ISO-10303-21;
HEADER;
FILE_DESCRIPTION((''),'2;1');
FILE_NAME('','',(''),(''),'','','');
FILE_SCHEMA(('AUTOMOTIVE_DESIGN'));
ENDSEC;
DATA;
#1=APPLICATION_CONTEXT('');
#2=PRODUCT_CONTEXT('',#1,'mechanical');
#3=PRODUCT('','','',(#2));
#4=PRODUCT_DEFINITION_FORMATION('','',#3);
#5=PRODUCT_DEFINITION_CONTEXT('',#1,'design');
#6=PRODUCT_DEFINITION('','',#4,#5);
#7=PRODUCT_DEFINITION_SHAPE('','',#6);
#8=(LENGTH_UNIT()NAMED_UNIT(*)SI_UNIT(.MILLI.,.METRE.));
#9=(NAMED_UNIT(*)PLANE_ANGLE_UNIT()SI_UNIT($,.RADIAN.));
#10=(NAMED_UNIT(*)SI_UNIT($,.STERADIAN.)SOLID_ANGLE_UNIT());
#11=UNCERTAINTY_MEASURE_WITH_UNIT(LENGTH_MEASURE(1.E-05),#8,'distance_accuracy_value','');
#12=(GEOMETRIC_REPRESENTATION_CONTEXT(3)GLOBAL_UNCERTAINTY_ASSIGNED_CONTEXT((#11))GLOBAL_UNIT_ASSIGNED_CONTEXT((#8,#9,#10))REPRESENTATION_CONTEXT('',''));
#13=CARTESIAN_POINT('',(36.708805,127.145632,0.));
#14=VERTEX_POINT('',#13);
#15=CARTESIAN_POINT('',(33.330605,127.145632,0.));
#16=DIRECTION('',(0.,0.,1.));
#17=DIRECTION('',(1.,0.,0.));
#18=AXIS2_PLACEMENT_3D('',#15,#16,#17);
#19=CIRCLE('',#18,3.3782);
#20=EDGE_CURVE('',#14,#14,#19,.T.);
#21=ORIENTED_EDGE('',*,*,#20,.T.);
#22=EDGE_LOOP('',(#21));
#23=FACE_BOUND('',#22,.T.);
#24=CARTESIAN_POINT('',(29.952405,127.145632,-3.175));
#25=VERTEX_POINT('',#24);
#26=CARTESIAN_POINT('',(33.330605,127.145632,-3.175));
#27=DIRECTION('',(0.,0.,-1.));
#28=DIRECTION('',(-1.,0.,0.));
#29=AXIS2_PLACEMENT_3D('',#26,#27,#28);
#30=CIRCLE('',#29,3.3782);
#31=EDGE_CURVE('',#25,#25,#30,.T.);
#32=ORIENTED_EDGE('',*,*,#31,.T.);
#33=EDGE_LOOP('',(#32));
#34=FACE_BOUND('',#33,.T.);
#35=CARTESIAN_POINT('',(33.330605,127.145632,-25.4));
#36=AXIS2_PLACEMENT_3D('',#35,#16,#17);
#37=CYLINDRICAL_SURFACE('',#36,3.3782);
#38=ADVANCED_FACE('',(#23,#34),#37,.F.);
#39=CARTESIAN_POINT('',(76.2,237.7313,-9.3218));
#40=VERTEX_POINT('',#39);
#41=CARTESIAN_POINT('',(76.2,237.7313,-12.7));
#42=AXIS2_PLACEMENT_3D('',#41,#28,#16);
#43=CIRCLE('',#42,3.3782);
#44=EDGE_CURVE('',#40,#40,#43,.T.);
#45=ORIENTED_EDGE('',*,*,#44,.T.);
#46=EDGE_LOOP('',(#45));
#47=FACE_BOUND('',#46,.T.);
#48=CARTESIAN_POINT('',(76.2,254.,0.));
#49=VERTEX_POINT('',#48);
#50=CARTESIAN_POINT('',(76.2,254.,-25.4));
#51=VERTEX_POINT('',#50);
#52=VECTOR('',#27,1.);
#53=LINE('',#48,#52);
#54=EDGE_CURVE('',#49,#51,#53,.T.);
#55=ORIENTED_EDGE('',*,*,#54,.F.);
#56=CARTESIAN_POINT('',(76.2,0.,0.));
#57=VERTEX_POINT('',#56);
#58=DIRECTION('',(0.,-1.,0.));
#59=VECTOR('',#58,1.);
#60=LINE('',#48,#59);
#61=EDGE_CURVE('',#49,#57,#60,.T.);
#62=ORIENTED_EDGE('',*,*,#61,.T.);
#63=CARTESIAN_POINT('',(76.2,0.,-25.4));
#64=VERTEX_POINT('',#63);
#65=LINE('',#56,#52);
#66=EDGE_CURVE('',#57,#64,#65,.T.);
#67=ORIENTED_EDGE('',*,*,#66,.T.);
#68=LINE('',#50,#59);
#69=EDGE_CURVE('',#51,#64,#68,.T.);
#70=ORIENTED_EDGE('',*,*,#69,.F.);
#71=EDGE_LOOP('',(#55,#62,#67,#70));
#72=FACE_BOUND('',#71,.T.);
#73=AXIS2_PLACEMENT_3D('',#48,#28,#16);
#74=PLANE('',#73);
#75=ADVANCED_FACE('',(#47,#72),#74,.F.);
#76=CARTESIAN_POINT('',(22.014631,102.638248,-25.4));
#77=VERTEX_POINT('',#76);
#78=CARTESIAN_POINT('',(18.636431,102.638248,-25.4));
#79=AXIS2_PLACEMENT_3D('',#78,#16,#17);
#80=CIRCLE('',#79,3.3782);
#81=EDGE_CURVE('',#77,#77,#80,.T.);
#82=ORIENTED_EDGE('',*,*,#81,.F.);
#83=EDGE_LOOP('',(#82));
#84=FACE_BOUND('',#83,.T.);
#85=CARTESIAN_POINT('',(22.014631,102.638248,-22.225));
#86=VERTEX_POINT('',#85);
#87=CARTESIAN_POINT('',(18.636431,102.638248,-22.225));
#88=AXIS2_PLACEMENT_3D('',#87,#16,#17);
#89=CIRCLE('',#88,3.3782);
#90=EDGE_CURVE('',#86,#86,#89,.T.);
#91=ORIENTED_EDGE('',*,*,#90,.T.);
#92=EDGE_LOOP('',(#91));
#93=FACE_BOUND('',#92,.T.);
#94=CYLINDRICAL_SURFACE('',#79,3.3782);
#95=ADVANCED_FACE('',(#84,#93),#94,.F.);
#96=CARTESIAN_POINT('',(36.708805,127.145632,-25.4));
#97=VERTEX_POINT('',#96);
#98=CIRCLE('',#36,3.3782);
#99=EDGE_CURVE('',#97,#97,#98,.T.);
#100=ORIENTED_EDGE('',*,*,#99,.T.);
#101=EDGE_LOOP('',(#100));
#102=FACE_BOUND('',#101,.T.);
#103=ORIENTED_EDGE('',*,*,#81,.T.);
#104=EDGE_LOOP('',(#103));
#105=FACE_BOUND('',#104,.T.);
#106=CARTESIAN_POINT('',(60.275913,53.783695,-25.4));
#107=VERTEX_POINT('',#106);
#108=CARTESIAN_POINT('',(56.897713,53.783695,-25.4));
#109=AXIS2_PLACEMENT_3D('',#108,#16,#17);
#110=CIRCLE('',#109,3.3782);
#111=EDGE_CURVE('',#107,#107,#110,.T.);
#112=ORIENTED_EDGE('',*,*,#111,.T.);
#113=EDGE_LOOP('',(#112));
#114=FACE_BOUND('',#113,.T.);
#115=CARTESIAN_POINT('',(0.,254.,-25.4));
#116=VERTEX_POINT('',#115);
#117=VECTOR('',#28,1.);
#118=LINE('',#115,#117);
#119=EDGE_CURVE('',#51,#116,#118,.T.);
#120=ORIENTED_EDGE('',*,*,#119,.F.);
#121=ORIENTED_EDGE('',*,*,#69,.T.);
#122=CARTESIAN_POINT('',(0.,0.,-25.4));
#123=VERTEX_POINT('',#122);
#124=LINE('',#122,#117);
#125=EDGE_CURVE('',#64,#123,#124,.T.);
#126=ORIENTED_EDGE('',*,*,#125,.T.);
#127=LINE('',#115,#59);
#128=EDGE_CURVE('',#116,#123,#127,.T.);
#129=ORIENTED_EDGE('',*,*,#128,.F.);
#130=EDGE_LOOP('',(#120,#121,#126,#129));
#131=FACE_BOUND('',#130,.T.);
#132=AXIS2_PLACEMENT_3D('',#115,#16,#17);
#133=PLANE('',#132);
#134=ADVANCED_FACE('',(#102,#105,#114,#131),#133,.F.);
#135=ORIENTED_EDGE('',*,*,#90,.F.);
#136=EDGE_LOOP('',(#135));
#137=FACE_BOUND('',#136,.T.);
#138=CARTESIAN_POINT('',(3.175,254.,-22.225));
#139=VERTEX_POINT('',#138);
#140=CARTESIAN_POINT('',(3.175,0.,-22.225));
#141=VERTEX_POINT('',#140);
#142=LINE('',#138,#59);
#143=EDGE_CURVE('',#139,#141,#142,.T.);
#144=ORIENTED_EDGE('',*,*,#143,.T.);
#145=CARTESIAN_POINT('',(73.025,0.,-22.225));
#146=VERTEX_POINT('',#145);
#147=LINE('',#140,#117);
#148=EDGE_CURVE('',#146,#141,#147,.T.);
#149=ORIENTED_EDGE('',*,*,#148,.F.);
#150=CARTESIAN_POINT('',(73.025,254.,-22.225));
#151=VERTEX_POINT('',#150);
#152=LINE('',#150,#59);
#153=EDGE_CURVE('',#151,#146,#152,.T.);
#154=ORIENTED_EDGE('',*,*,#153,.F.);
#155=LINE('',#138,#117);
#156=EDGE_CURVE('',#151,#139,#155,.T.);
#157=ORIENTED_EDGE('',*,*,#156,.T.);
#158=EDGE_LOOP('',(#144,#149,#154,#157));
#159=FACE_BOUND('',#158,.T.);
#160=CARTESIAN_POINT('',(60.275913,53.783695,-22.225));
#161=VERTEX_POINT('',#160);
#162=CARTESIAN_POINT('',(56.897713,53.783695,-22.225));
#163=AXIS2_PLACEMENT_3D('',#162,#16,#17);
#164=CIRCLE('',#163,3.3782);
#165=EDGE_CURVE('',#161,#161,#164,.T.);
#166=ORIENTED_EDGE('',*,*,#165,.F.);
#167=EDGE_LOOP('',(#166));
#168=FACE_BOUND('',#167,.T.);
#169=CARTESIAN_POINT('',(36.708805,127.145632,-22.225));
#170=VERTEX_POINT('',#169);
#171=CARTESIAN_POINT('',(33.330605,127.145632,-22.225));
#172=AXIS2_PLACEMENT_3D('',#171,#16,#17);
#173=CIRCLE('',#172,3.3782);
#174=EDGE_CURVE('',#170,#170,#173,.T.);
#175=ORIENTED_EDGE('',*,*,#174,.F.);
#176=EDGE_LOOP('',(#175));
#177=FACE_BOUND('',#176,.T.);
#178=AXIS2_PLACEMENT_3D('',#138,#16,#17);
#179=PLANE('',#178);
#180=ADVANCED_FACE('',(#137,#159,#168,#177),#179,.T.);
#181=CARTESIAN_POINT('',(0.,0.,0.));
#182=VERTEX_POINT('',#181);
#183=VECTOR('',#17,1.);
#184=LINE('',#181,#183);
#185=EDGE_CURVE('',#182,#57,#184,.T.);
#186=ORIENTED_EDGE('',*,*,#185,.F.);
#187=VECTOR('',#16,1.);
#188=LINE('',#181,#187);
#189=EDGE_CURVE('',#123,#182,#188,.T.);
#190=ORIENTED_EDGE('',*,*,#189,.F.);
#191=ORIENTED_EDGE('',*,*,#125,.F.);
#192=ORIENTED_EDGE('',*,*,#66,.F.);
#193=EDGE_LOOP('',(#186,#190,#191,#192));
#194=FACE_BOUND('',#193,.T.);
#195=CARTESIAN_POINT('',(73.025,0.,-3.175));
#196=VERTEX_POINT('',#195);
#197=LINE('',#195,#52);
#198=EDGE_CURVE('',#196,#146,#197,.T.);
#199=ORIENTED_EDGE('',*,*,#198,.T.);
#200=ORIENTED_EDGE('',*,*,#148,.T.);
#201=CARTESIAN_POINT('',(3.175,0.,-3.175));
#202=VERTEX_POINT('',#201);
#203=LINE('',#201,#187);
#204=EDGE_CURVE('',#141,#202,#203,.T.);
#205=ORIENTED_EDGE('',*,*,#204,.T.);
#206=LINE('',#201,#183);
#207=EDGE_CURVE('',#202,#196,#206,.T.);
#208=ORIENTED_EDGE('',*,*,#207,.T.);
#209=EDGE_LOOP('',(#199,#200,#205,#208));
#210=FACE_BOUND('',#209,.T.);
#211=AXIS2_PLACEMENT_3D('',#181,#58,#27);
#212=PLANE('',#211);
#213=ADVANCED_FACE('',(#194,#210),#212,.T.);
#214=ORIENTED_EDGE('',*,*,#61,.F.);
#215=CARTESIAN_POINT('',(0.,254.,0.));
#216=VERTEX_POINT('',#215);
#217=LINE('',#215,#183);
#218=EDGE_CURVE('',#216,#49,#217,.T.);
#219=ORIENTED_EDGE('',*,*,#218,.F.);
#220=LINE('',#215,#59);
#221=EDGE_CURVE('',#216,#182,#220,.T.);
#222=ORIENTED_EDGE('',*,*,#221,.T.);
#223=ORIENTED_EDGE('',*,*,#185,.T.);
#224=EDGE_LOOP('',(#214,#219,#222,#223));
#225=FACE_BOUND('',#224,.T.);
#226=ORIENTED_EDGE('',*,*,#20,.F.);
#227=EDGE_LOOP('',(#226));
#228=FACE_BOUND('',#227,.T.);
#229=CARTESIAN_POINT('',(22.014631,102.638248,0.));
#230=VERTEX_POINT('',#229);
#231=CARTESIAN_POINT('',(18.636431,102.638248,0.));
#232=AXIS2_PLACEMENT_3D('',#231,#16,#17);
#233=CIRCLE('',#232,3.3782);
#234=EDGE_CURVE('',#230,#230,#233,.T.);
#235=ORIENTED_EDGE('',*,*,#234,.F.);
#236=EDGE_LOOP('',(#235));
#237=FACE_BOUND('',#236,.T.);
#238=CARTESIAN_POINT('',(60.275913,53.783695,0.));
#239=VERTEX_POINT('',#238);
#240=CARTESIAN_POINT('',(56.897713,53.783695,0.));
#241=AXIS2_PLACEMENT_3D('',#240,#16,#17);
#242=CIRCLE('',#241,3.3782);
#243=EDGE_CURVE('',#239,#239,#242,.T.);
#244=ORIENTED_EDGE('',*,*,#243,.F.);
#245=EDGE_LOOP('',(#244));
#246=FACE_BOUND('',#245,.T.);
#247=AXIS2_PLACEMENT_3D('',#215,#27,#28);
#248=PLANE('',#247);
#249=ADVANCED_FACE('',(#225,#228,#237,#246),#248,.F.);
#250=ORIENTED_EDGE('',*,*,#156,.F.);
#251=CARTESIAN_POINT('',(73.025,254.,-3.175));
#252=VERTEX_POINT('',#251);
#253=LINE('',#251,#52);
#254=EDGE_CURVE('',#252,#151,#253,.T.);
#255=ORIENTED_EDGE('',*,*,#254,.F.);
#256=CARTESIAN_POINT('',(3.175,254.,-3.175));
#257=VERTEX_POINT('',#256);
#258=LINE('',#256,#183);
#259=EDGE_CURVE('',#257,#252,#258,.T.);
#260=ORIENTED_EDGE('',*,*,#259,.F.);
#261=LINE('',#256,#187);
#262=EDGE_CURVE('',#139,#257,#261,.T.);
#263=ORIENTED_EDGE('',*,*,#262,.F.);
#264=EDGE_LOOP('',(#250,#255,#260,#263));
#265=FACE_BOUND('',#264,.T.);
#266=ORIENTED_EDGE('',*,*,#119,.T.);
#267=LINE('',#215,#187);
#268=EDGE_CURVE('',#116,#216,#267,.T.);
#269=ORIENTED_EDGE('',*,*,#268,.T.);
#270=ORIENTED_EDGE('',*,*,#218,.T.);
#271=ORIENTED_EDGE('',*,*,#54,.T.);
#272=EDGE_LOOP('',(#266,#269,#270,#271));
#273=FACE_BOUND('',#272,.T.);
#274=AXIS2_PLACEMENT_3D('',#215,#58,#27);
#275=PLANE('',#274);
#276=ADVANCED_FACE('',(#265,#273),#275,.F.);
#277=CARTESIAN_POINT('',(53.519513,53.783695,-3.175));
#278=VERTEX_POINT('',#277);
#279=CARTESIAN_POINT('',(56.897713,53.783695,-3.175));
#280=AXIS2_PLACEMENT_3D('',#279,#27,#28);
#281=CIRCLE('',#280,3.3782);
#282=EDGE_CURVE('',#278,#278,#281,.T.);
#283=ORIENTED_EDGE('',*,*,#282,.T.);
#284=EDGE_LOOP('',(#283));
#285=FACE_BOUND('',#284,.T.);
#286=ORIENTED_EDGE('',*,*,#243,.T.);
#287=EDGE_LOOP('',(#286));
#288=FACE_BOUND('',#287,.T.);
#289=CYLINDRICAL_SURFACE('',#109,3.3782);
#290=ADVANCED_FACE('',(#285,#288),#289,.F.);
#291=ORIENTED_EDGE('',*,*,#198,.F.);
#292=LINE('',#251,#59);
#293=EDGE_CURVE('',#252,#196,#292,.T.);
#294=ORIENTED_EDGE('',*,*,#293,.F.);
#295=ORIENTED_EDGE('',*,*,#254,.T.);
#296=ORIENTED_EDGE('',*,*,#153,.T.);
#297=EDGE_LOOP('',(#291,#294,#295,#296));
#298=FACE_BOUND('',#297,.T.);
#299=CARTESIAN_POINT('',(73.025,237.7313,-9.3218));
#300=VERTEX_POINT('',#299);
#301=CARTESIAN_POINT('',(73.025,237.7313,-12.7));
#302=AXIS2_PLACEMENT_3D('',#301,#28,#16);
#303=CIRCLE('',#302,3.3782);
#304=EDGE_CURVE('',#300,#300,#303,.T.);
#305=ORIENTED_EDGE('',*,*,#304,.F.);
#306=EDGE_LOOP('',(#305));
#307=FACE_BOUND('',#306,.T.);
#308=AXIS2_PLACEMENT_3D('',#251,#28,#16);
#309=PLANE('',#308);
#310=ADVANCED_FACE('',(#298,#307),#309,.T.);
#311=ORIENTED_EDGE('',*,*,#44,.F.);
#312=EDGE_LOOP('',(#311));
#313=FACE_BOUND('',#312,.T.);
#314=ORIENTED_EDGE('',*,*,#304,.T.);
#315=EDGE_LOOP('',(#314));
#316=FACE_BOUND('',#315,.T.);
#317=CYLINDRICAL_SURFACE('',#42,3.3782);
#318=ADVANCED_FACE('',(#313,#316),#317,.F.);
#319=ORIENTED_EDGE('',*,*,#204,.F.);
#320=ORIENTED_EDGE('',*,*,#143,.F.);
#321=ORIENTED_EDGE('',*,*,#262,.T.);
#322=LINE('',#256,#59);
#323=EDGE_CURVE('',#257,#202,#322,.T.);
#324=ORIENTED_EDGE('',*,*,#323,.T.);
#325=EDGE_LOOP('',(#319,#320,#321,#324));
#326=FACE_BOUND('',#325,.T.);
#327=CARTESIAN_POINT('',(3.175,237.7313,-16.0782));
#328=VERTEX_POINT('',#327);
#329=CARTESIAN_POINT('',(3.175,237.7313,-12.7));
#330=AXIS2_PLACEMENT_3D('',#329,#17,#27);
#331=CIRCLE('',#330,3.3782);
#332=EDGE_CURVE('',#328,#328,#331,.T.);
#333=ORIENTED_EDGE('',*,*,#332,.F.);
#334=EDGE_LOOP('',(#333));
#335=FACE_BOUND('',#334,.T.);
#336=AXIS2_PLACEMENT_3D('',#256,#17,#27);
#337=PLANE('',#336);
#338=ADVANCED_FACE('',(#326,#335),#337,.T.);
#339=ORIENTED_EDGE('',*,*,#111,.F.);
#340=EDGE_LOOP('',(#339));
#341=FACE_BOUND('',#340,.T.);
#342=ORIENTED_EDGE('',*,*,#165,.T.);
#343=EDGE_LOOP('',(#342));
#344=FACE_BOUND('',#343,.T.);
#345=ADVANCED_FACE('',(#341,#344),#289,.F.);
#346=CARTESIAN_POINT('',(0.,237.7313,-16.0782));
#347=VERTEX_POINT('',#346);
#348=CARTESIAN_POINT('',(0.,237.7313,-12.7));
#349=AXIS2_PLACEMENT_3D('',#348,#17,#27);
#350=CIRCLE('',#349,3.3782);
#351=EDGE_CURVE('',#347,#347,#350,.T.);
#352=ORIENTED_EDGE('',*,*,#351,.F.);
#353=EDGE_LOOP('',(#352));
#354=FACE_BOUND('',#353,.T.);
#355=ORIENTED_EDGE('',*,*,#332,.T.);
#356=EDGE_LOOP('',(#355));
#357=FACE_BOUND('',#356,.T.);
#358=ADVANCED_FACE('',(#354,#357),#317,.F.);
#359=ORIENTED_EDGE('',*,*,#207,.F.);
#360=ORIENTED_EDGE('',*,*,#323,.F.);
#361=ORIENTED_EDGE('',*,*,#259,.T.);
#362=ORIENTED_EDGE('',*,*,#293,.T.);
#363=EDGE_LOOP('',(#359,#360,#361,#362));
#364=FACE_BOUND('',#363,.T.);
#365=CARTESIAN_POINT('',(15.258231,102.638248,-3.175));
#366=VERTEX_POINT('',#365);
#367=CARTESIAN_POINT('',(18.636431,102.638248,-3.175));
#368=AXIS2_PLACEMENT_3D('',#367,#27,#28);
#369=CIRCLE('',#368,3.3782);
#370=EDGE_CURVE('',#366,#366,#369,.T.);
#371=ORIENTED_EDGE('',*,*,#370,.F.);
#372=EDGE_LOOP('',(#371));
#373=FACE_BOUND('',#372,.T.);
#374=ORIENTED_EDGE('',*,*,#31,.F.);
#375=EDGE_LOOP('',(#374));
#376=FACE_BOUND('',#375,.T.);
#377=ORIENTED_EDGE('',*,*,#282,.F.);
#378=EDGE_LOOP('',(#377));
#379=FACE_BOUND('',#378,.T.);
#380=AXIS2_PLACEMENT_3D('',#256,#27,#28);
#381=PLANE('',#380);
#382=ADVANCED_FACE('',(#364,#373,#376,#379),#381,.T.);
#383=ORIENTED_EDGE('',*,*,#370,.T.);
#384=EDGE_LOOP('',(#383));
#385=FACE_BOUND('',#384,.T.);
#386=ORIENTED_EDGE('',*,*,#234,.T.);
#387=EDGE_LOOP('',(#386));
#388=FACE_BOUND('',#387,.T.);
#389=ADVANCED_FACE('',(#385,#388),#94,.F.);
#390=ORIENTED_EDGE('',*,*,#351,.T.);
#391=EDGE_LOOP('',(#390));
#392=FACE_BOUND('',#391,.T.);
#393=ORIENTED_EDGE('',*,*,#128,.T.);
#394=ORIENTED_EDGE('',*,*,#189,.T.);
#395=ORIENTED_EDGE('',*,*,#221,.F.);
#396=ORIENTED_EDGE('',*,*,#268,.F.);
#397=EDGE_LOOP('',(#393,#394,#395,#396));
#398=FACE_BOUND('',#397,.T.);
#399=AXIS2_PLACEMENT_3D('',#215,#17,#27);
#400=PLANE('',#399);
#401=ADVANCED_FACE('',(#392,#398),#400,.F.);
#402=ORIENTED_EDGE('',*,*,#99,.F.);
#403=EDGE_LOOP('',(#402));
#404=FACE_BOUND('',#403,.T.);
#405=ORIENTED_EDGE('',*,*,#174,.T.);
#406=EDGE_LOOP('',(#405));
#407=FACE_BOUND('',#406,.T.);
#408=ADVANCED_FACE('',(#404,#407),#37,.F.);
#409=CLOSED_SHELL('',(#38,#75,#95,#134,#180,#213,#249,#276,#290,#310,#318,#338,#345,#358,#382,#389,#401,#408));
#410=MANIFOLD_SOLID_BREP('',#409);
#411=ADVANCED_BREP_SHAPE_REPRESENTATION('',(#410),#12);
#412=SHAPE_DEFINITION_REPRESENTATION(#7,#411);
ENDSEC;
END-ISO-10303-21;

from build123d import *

# Parameters (mm, degrees)
SKETCH1_W               = 76.2
SKETCH1_H               = 25.4
SKETCH1_W_2             = 69.85
SKETCH1_H_2             = 19.05
BOSS_EXTRUDE1_DEPTH     = 254
SKETCH3_R               = 3.3782
CUT_EXTRUDE1_DEPTH      = 26.4
SKETCH4_R               = 3.3782
CUT_EXTRUDE2_DEPTH      = 1
CUT_EXTRUDE2_DEPTH_BACK = 77.2


with BuildPart() as part:
    # Sketch1 → Boss-Extrude1 (new body)
    with BuildSketch(Plane(origin=(0, 0, 0), x_dir=(1, 0, 0), z_dir=(0, 1, 0))):
        with Locations((38.1, 12.7)):
            Rectangle(SKETCH1_W, SKETCH1_H)
        with Locations((38.1, 12.7)):
            Rectangle(SKETCH1_W_2, SKETCH1_H_2, mode=Mode.SUBTRACT)
    extrude(amount=BOSS_EXTRUDE1_DEPTH)

    # Sketch3 → Cut-Extrude1 (cut, through all)
    with BuildSketch(Plane.XY):
        with Locations((56.897712706, 53.783695383)):
            Circle(SKETCH3_R)
        with Locations((18.636431119, 102.638247629)):
            Circle(SKETCH3_R)
        with Locations((33.330604718, 127.14563197)):
            Circle(SKETCH3_R)
    extrude(amount=-CUT_EXTRUDE1_DEPTH, mode=Mode.SUBTRACT)

    # Sketch4 → Cut-Extrude2 (cut, two sides)
    with BuildSketch(Plane.ZY) as cut_extrude2_sk:
        with Locations((-12.7, 237.7313)):
            Circle(SKETCH4_R)
    extrude(amount=CUT_EXTRUDE2_DEPTH, mode=Mode.SUBTRACT)
    extrude(cut_extrude2_sk.sketch, amount=-CUT_EXTRUDE2_DEPTH_BACK, mode=Mode.SUBTRACT)


solid = part.part
